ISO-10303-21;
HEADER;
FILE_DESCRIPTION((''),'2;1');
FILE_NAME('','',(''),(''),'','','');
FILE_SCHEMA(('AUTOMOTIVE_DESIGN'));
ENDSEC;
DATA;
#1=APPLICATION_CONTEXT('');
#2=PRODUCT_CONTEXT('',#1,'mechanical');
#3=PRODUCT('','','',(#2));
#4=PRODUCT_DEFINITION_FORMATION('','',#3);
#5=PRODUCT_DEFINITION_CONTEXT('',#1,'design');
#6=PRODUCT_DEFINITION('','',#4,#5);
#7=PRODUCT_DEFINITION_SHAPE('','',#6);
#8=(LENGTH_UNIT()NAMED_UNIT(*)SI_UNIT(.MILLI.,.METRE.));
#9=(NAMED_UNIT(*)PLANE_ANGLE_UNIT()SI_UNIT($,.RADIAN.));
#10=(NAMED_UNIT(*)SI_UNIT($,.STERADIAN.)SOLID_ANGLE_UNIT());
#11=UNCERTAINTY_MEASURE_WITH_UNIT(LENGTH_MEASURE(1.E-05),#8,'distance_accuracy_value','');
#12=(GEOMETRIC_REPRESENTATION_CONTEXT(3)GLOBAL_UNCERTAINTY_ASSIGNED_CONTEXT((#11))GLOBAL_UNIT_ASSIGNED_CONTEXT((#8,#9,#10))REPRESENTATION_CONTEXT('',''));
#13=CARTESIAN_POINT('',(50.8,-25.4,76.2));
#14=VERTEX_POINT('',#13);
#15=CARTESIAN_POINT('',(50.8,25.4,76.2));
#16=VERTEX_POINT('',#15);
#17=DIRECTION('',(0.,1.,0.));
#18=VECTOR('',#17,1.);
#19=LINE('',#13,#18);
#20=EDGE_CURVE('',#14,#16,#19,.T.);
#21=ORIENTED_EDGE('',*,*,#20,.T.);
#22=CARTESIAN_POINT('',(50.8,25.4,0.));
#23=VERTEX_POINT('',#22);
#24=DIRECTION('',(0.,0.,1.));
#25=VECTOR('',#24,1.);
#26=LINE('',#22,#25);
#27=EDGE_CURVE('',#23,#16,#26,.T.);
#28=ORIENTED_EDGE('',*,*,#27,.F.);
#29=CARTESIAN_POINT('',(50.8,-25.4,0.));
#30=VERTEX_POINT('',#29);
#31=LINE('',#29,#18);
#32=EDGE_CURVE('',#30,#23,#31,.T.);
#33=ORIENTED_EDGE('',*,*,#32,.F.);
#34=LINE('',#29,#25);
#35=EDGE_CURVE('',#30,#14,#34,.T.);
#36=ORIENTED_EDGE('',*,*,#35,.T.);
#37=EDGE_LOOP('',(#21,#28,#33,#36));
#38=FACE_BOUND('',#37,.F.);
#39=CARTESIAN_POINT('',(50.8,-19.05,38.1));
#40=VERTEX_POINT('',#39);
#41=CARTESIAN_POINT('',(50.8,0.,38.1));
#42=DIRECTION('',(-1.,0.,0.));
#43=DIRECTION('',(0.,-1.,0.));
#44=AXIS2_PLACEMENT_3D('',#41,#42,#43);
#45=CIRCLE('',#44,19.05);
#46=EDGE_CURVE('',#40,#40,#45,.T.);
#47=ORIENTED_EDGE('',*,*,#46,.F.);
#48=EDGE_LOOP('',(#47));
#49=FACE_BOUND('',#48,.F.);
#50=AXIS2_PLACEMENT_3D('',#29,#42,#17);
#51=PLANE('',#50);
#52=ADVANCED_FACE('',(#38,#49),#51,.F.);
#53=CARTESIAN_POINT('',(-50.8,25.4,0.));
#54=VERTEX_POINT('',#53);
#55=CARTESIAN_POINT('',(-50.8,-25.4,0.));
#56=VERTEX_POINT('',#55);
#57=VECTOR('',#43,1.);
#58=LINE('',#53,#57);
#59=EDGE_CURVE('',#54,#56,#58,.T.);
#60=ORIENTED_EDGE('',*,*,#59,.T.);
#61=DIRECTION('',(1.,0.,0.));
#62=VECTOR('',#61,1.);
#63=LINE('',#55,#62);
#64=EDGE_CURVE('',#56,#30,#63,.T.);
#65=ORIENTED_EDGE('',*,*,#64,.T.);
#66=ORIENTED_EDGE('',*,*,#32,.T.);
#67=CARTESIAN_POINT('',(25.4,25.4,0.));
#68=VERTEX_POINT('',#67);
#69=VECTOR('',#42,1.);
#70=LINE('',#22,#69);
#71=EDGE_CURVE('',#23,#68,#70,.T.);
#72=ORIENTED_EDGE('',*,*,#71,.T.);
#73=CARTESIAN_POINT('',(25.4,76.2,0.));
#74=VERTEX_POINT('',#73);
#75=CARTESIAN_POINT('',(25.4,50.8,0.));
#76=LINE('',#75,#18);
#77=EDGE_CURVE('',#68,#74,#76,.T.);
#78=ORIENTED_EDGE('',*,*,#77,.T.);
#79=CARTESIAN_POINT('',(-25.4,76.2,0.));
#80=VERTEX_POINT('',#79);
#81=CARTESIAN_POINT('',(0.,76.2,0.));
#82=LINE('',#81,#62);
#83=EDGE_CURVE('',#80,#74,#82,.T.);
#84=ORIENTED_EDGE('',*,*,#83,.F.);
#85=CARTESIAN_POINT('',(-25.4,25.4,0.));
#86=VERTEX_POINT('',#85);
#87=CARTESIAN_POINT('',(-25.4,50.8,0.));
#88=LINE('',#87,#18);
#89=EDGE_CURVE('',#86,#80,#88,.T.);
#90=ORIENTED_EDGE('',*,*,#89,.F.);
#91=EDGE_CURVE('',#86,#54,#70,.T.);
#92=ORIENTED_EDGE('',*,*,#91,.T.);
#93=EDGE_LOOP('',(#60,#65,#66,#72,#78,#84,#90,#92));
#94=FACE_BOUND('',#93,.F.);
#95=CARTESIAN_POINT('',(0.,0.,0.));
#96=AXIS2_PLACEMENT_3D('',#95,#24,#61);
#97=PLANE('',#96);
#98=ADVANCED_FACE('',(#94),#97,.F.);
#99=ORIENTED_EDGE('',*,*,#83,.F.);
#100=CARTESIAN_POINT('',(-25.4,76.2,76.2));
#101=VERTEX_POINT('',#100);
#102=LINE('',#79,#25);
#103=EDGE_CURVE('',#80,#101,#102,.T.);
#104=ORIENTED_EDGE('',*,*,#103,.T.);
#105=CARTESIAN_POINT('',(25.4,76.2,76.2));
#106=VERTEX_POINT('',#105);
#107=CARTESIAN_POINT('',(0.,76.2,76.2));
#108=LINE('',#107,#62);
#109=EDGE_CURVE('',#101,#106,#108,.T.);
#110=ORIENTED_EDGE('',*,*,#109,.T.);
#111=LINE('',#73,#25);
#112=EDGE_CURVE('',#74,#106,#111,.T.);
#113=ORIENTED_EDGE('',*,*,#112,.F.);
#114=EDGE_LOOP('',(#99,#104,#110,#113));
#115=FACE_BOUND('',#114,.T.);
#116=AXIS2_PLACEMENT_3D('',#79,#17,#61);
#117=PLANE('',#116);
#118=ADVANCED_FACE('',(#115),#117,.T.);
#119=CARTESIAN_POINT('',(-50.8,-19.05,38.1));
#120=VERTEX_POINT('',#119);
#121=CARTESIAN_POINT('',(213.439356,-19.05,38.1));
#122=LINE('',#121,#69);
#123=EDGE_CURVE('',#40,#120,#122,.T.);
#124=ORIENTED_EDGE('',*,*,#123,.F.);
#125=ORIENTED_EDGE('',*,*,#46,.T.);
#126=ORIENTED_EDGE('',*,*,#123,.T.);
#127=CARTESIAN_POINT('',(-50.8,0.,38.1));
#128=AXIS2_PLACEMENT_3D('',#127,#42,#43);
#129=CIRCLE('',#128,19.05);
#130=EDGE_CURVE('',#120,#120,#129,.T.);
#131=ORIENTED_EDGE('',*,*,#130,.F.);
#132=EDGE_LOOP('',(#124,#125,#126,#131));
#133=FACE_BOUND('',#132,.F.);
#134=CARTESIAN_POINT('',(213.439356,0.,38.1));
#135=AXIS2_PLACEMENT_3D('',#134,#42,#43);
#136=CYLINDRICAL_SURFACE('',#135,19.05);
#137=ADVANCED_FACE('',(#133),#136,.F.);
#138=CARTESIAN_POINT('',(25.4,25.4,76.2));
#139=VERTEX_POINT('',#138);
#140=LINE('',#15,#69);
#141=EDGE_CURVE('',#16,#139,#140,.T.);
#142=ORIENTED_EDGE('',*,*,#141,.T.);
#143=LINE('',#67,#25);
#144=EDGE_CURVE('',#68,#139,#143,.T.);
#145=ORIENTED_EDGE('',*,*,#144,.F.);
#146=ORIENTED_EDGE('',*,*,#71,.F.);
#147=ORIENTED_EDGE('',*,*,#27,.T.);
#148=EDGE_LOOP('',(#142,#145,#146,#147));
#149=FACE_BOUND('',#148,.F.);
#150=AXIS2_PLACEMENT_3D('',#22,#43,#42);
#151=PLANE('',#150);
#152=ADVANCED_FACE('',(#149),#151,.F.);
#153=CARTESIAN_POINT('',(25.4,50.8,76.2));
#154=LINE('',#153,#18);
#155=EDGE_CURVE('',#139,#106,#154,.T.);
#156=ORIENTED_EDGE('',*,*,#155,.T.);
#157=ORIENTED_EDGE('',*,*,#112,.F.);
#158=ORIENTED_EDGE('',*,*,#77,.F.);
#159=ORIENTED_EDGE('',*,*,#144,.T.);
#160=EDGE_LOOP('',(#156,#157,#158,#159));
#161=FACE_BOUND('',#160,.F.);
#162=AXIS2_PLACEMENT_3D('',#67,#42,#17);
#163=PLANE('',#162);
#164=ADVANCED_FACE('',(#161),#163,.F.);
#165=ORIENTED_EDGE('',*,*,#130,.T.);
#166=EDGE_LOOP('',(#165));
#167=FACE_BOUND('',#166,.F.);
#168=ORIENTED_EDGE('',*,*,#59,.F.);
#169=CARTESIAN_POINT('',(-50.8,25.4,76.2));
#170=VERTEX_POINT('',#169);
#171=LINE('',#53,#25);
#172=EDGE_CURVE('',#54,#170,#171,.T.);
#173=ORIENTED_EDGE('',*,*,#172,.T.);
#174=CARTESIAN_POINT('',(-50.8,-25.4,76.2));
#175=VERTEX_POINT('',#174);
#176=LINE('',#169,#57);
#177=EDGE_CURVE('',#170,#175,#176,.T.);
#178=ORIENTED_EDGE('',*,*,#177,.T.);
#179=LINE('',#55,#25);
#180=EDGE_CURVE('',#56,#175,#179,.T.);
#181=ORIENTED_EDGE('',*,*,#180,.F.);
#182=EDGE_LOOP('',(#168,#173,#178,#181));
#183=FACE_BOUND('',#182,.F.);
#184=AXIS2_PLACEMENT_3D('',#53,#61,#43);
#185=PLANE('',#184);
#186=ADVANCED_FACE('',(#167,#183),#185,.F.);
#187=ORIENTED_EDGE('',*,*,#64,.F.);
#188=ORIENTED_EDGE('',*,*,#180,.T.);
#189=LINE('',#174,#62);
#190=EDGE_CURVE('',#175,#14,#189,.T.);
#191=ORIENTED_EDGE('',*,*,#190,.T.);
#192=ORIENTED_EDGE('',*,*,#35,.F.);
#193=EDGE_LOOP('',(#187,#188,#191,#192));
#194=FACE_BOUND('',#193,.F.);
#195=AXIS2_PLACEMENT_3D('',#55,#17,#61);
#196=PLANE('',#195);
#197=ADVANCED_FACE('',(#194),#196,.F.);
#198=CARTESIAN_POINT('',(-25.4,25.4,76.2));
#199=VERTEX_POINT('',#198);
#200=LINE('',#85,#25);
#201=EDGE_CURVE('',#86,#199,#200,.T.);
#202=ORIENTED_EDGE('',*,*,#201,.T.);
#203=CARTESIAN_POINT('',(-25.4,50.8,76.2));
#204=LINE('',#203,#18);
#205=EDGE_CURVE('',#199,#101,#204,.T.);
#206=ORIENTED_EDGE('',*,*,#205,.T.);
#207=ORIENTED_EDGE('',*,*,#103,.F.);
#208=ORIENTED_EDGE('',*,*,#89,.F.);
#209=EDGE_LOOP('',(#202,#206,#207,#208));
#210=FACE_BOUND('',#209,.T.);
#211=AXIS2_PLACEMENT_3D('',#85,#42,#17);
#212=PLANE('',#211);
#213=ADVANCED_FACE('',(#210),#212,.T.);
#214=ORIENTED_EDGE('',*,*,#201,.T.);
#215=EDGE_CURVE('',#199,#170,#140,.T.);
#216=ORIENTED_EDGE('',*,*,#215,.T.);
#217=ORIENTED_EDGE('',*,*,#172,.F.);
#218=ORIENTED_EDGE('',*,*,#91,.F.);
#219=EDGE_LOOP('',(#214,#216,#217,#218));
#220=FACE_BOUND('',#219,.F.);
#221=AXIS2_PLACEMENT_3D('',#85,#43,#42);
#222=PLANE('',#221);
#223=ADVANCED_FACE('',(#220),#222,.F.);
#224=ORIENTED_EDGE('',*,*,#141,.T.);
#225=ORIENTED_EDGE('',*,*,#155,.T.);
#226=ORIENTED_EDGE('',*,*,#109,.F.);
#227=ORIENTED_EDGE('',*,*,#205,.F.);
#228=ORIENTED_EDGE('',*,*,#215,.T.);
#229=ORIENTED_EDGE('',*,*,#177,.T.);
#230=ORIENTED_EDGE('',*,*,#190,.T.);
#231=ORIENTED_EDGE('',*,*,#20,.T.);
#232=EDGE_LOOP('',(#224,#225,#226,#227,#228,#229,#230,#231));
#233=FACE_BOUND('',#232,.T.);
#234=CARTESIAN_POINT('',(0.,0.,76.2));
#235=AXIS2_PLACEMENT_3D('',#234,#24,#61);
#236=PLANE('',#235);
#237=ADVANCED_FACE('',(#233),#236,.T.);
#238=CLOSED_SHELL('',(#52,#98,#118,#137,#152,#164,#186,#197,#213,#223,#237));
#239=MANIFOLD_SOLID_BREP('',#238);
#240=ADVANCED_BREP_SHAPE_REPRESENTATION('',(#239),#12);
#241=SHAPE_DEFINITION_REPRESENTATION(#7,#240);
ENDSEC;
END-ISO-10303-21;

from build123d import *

# Parameters (mm, degrees)
F0_W     = 50.8
F0_H     = 50.8
F1_DEPTH = 76.2
F3_D     = 38.1


with BuildPart() as f1:
    # F0 (on Top) → F1 (new body)
    with BuildSketch(Plane.XY):
        Polygon((-50.8, -25.4), (50.8, -25.4), (50.8, 25.4), (25.4, 25.4), (-25.4, 25.4), (-50.8, 25.4), align=None)
        with Locations((0, 50.8)):
            Rectangle(F0_W, F0_H)
    extrude(amount=F1_DEPTH)

    # F3 (through all)
    with Locations(Plane.YZ.offset(50.8)):
        with Locations((0, 38.1)):
            Hole(F3_D / 2)


solid = f1.part
